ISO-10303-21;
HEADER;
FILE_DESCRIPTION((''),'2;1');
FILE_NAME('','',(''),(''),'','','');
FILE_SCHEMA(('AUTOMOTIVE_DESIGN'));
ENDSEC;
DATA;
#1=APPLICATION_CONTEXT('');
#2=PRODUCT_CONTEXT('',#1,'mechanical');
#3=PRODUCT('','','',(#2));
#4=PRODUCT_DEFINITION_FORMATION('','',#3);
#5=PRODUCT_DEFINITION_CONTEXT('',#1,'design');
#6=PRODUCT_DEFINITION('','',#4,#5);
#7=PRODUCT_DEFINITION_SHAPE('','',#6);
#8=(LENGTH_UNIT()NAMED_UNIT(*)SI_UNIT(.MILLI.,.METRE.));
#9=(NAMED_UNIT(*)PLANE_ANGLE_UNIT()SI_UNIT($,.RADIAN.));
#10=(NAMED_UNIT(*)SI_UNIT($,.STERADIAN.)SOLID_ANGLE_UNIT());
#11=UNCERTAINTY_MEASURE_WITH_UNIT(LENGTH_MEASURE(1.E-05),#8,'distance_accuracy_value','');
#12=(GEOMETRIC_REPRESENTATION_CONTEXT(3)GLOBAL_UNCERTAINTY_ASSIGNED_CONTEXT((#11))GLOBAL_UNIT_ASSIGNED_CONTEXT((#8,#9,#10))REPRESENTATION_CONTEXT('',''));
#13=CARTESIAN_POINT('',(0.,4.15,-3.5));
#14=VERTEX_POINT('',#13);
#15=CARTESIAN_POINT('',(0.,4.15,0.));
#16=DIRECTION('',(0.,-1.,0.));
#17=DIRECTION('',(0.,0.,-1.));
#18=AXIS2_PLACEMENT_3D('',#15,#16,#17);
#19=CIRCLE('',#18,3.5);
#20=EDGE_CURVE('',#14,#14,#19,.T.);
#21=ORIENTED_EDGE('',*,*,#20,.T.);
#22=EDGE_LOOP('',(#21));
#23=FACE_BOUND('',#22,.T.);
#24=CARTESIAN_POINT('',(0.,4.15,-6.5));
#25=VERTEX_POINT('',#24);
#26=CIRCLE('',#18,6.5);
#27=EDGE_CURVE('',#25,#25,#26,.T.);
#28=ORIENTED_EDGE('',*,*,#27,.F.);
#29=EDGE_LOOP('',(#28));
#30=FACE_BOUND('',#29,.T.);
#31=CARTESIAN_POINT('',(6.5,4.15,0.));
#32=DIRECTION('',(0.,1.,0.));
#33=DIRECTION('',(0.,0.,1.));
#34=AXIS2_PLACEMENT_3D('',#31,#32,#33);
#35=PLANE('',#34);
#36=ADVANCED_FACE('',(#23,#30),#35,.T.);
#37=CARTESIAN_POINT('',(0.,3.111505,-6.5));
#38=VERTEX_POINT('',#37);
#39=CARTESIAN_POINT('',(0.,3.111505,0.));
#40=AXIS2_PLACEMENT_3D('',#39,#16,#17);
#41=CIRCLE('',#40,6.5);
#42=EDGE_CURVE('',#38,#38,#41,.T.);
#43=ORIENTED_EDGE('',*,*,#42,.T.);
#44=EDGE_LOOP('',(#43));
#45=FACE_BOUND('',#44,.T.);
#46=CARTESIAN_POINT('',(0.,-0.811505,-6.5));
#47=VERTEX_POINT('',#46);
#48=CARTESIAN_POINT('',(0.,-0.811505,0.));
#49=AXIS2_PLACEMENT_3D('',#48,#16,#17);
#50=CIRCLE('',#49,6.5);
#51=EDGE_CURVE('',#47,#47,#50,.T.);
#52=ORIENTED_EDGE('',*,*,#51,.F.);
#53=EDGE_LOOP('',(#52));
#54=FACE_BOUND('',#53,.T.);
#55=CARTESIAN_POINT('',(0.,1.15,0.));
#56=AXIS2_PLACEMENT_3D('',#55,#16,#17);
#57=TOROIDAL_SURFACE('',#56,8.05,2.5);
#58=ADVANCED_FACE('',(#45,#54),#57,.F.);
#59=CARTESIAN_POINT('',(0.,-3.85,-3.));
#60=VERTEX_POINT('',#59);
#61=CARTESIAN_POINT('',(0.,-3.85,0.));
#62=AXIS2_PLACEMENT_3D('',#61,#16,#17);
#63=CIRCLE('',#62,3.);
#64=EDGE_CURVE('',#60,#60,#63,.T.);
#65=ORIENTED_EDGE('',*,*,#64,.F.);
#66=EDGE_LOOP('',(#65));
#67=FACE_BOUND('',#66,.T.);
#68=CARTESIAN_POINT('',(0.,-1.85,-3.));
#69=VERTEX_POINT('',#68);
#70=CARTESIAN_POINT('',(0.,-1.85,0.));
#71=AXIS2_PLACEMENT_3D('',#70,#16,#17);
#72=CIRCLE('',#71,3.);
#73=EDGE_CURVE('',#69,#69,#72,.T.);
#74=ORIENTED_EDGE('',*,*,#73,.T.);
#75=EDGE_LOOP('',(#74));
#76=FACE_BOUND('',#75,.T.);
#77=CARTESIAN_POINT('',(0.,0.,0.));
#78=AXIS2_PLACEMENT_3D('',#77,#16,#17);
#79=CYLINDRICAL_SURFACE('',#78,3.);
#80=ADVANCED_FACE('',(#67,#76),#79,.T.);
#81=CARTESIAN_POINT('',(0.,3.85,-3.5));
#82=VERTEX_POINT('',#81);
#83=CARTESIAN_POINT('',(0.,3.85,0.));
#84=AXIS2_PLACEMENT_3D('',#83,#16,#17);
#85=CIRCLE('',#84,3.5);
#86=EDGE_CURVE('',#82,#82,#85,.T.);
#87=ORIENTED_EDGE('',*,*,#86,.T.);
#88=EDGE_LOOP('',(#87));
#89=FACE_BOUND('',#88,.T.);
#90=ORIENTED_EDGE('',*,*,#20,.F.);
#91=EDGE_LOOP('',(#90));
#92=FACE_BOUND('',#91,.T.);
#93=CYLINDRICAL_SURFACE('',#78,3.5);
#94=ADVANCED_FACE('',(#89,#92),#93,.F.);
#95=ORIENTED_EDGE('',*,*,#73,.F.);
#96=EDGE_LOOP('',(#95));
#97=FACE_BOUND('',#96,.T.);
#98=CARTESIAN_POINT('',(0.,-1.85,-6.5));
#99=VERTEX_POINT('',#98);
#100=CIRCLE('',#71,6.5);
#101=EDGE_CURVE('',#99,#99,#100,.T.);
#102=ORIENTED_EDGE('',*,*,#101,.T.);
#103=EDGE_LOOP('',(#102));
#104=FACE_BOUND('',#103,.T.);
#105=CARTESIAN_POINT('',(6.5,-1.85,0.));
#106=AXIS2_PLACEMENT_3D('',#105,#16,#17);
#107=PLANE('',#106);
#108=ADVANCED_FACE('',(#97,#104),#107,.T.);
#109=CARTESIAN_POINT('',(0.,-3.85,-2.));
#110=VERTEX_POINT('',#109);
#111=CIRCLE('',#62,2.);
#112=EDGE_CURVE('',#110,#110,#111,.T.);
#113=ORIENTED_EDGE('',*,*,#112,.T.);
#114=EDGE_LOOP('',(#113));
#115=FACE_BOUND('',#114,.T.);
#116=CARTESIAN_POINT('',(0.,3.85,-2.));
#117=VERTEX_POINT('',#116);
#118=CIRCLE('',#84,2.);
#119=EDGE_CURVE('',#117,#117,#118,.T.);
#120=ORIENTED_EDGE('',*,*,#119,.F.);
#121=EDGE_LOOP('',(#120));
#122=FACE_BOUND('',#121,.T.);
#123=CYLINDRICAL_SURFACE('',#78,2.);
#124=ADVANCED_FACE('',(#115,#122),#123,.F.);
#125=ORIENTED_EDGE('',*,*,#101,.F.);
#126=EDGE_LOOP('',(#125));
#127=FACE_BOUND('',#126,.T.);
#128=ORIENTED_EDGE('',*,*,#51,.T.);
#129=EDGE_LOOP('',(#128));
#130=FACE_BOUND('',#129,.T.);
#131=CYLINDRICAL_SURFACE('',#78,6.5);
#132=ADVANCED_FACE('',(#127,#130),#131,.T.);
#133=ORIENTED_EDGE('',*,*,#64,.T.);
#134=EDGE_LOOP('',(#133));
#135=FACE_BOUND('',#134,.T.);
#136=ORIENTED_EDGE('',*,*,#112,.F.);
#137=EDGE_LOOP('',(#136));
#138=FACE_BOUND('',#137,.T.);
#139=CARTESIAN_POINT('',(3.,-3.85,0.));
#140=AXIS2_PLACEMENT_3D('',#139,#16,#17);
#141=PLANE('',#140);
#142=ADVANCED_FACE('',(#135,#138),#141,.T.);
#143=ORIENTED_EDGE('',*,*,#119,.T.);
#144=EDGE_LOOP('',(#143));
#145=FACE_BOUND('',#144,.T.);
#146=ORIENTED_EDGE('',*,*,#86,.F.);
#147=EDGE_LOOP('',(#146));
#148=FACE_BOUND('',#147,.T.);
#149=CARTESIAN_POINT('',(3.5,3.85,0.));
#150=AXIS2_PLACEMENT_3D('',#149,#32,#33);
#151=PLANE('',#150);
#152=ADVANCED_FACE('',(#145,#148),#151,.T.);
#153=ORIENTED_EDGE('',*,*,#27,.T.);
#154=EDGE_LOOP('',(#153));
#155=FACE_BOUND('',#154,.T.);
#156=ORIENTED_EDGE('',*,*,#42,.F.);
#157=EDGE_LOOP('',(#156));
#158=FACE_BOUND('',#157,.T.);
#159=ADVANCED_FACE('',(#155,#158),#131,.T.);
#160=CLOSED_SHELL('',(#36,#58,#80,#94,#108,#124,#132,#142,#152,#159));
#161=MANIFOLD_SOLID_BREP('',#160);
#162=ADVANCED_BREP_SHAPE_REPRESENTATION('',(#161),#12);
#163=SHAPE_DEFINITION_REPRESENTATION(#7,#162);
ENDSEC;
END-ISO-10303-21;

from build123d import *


with BuildPart() as part:
    # Эскиз1 → Повернуть1 (revolve)
    with BuildSketch(Plane.XY, mode=Mode.PRIVATE) as revolve_1_sk:
        with BuildLine():
            Line((2, -3.85), (2, 3.85))
            Line((2, 3.85), (3.5, 3.85))
            Line((3.5, 3.85), (3.5, 4.15))
            Line((3.5, 4.15), (6.5, 4.15))
            Line((6.5, 4.15), (6.5, 3.111504525))
            ThreePointArc((6.5, 3.111504525), (5.55, 1.15), (6.5, -0.811504525))
            Line((6.5, -0.811504525), (6.5, -1.85))
            Line((6.5, -1.85), (3, -1.85))
            Line((3, -1.85), (3, -3.85))
            Line((3, -3.85), (2, -3.85))
        make_face()
    revolve(revolve_1_sk.sketch.rotate(Axis((0, 0, 0), (0, 1, 0)), 90), axis=Axis((0, 0, 0), (0, 1, 0)))


solid = part.part
